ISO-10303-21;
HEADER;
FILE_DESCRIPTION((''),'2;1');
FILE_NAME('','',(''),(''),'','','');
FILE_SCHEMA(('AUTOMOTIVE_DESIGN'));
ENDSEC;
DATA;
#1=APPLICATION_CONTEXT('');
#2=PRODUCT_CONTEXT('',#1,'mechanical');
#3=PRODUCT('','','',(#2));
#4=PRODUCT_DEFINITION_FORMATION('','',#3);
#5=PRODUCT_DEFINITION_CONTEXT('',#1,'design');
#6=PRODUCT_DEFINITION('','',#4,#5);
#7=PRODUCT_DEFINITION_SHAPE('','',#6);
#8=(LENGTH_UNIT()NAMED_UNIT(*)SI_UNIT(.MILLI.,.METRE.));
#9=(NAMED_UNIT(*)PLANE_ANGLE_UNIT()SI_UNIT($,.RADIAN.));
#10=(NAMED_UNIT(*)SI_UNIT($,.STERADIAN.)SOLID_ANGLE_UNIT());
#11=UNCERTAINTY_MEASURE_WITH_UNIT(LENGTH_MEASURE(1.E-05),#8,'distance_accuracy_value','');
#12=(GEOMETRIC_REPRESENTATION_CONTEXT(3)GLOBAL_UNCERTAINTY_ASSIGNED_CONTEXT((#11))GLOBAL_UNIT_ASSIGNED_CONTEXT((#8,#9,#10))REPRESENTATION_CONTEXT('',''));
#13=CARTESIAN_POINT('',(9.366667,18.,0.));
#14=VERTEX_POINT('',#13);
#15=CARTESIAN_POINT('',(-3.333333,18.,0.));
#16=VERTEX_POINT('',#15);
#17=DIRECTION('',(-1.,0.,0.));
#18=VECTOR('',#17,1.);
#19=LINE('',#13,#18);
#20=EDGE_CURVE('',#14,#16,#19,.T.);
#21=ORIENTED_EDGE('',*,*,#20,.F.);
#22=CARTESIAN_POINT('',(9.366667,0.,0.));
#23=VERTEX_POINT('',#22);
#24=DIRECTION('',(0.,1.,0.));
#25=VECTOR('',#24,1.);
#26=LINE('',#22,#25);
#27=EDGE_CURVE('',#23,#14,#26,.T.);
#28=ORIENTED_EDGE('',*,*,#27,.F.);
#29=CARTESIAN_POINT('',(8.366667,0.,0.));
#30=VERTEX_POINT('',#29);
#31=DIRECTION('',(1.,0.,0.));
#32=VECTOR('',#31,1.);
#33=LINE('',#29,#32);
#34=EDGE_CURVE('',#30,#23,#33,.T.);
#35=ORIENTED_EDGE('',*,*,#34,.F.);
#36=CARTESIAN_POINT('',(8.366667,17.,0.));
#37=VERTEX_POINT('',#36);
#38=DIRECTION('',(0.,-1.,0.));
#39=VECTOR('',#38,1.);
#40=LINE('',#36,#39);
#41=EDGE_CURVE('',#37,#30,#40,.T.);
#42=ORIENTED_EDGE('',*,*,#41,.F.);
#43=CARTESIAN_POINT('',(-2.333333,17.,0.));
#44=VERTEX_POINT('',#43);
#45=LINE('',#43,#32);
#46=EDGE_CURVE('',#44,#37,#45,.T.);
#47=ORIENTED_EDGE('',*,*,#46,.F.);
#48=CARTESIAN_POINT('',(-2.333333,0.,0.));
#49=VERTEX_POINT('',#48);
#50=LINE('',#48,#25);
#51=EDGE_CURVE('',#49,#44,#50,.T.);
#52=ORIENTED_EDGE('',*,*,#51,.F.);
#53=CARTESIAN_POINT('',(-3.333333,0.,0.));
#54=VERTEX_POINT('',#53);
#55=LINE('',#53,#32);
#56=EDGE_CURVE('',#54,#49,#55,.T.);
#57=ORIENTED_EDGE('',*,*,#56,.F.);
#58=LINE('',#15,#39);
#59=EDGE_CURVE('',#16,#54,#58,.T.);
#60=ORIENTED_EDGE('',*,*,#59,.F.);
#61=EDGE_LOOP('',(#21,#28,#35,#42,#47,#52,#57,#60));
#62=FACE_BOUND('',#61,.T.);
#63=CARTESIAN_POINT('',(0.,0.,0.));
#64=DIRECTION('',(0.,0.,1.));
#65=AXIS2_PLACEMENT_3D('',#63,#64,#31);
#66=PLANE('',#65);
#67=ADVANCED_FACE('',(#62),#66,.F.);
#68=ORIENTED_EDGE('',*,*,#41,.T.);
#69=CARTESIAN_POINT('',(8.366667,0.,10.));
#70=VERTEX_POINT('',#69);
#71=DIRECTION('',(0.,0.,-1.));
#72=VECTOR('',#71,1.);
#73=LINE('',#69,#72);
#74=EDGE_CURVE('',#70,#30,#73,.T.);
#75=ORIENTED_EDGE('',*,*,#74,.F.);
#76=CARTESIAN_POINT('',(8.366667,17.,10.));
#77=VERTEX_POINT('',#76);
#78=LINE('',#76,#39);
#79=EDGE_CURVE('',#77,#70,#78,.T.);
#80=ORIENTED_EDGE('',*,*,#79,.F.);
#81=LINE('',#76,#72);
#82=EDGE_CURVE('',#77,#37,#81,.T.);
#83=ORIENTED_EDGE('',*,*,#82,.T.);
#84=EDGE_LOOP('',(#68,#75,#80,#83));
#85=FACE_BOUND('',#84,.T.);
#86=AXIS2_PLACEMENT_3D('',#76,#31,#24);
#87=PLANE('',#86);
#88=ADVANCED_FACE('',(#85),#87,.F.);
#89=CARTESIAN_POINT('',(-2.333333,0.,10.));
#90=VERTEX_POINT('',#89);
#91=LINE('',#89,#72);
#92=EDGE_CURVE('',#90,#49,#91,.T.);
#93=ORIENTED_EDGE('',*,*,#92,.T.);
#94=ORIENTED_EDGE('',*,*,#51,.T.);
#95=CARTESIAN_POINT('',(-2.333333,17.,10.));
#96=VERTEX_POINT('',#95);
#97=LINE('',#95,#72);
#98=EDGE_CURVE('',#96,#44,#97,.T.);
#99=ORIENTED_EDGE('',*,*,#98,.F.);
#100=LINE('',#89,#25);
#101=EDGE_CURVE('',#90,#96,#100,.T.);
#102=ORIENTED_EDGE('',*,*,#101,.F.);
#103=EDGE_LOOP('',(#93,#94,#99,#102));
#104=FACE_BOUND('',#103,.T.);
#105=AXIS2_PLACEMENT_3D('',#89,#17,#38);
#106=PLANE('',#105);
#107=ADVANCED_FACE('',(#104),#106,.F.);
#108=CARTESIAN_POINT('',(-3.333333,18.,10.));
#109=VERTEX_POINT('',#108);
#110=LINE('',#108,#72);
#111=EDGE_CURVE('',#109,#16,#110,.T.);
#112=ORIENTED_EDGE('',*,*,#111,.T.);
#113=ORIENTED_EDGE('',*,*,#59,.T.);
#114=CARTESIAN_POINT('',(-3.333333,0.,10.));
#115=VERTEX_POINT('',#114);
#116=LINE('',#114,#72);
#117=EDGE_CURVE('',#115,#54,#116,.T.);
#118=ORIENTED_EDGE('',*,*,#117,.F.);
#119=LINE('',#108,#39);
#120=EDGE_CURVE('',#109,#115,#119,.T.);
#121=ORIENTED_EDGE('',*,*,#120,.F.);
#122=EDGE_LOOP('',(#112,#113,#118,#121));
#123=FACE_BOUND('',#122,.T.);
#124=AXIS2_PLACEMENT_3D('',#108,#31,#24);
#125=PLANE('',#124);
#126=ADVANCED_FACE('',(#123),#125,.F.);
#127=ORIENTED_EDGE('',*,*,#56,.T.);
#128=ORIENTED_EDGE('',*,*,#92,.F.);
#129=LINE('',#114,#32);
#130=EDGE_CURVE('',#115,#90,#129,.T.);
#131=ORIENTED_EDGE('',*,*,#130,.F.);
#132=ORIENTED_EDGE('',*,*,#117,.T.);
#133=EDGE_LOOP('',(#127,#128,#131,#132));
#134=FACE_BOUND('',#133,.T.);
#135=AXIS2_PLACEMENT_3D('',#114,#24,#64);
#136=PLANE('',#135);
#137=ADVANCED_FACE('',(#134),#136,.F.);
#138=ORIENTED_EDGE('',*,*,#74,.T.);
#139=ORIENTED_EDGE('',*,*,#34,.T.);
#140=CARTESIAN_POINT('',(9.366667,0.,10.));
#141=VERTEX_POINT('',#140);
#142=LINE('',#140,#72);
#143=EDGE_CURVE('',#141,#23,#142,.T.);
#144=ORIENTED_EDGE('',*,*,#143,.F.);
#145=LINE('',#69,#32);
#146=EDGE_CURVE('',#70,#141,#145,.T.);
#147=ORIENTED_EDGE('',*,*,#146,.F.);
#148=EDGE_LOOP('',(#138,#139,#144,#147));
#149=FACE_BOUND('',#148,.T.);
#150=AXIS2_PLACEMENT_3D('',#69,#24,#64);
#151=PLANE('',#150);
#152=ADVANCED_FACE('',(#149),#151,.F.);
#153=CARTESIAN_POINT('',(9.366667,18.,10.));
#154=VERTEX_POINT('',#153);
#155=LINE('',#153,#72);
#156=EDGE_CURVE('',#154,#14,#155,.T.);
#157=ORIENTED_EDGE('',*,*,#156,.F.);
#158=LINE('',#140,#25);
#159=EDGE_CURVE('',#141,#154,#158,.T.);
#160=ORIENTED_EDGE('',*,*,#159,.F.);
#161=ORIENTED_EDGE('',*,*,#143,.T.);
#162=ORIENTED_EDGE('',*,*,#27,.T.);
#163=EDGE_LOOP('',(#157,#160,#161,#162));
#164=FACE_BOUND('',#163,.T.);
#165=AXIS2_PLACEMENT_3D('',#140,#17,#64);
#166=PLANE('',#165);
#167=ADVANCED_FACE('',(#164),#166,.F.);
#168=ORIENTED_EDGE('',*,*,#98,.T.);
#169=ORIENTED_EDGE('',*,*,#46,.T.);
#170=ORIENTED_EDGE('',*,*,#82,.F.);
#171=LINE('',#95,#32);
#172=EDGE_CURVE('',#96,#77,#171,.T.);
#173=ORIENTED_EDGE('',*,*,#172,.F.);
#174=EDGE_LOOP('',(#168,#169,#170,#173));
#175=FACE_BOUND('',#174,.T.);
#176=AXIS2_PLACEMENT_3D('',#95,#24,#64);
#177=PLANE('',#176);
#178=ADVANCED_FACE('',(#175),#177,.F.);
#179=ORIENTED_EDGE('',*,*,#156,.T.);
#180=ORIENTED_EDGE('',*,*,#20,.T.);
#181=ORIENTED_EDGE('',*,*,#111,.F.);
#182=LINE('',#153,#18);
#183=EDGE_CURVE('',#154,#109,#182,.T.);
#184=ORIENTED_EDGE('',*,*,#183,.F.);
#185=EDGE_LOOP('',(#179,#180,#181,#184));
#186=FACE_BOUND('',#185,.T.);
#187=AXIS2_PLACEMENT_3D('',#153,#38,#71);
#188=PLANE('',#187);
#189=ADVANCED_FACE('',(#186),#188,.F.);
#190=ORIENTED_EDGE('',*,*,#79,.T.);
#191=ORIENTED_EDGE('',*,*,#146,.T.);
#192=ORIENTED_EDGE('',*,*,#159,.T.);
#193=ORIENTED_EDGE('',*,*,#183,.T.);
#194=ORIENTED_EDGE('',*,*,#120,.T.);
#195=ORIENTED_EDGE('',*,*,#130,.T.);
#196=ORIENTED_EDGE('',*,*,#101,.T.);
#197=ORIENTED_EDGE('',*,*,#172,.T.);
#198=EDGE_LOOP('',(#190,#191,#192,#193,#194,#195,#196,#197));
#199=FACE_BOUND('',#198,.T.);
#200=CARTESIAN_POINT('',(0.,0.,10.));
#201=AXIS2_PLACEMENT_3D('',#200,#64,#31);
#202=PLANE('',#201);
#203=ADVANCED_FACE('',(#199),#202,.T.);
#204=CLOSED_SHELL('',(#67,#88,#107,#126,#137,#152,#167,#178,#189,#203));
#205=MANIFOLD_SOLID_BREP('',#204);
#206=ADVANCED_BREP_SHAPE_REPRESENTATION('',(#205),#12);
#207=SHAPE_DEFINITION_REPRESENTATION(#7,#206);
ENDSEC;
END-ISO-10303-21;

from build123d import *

# Parameters (mm, degrees)
BOSS_EXTRUDE1_DEPTH = 10


with BuildPart() as part:
    # Sketch1 → Boss-Extrude1 (new body)
    with BuildSketch(Plane.XY):
        Polygon((-2.333333333, 0), (-2.333333333, 17), (8.366666667, 17), (8.366666667, 0), (9.366666667, 0), (9.366666667, 18), (-3.333333333, 18), (-3.333333333, 0), align=None)
    extrude(amount=BOSS_EXTRUDE1_DEPTH)


solid = part.part
